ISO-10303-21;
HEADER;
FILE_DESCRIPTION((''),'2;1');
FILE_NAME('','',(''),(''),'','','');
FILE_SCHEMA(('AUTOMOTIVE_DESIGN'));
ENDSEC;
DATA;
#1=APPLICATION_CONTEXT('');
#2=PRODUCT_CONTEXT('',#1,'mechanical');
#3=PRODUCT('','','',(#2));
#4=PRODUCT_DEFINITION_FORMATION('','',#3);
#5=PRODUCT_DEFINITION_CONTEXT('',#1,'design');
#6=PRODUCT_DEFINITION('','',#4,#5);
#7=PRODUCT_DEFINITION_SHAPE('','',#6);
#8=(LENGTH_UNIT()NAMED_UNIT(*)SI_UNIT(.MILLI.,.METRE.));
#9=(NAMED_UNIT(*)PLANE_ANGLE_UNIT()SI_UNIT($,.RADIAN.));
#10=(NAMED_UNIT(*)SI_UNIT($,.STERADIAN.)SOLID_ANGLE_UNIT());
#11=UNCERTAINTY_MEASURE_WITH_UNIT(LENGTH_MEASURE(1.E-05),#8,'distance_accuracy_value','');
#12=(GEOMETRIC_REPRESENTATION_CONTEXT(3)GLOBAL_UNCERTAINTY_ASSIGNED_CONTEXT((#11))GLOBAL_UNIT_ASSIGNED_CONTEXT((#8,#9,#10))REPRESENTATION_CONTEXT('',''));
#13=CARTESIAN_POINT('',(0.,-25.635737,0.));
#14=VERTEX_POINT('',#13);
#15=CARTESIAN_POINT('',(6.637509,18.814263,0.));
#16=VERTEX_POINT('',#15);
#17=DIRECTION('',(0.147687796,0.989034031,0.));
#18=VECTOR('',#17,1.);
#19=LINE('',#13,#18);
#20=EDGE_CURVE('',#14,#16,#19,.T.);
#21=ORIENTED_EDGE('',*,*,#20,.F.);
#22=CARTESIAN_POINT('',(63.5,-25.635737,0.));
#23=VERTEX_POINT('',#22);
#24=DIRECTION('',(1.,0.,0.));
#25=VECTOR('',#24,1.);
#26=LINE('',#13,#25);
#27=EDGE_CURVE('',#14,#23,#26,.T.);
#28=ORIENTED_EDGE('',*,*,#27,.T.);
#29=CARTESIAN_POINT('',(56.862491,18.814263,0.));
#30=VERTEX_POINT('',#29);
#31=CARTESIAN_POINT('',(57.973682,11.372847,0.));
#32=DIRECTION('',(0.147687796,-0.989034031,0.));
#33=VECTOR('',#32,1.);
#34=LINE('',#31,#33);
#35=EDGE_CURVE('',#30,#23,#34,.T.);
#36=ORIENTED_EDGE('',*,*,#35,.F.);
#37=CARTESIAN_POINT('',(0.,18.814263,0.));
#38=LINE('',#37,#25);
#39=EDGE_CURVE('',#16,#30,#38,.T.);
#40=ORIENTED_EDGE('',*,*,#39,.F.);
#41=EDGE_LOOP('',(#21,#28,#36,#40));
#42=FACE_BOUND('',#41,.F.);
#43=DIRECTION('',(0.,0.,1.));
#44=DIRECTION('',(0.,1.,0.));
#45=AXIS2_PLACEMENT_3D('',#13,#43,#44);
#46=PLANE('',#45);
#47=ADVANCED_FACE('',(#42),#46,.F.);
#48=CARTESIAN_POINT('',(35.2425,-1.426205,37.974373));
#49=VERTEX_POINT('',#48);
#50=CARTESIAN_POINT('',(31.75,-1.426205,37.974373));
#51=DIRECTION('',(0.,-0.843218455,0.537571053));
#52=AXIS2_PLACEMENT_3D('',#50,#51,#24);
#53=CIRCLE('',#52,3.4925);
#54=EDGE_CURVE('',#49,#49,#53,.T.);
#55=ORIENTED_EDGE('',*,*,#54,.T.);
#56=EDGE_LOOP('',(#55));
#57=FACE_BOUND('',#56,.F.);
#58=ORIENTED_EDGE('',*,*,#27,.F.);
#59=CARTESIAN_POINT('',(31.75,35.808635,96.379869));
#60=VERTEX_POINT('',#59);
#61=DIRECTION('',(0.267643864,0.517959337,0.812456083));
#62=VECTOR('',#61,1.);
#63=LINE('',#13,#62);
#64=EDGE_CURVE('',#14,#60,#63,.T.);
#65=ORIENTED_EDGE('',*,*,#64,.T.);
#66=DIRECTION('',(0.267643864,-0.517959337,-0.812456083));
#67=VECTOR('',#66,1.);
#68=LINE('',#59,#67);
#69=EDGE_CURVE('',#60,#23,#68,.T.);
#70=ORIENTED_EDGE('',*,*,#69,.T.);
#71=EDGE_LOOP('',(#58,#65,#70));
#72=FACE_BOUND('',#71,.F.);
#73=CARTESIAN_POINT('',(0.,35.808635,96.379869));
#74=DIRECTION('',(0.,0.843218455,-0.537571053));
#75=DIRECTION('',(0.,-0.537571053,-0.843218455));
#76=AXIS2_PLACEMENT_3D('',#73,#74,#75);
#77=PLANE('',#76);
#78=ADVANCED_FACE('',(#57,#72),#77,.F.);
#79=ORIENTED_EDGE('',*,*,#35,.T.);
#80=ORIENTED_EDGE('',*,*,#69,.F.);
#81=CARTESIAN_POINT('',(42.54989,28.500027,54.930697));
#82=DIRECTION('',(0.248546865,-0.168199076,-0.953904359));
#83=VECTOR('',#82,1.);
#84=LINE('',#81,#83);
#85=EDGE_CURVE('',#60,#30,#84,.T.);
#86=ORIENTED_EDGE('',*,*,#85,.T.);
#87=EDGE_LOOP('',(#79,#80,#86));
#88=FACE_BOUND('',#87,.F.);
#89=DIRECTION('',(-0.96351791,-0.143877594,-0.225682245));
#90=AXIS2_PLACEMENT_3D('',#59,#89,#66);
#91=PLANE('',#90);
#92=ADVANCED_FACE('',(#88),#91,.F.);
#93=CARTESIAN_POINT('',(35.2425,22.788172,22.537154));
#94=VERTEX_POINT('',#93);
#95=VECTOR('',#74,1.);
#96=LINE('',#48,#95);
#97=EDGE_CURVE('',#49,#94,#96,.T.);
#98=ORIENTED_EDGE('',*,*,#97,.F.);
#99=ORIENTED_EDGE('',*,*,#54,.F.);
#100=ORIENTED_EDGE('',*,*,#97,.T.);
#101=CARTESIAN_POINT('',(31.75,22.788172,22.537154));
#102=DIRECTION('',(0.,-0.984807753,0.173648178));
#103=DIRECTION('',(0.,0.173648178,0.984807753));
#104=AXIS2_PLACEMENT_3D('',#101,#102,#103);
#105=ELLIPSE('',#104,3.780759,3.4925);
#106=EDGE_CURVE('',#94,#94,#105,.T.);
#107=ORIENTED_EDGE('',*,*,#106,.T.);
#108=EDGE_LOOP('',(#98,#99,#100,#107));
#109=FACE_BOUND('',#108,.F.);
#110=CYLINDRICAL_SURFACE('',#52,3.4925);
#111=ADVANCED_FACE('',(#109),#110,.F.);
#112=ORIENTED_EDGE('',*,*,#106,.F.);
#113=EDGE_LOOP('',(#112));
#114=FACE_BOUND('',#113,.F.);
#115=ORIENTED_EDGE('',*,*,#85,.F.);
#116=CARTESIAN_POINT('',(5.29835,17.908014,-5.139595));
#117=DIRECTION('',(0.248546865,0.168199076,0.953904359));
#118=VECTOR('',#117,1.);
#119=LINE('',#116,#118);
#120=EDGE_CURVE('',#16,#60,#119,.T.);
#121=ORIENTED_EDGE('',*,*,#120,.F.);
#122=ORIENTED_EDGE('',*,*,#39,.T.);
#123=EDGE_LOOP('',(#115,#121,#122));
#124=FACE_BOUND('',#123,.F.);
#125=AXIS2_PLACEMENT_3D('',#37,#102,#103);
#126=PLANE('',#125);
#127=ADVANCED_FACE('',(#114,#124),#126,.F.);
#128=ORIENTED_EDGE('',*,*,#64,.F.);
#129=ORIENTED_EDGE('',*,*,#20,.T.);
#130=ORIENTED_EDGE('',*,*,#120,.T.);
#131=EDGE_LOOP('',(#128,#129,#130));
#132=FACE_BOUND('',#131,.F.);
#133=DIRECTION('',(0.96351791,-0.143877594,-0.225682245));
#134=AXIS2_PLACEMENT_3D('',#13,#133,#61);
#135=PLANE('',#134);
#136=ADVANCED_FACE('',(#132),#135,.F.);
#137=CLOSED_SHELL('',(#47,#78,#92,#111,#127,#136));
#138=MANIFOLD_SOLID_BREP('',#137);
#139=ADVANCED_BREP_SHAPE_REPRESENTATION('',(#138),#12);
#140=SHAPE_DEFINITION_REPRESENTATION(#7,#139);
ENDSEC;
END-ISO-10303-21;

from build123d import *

# Parameters (mm, degrees)
F1_DEPTH = 63.5
F3_DEPTH = 51.8120278971
F4_R     = 3.4925
F5_DEPTH = 51.8120278971


with BuildPart() as f1:
    # F0 (on Right) → F1 (new body)
    with BuildSketch(Plane.YZ):
        Polygon((35.8086346566, 96.3798694051), (-25.6357367167, 0), (18.8142632833, 0), align=None)
    extrude(amount=F1_DEPTH)

    # F2 (on face) → F3 (cut, through all)
    with BuildSketch(Plane(origin=(0, -18.2274539145, 11.6204188118), x_dir=(1, 0, 0), z_dir=(0, -0.843218455, 0.5375710531))):
        Polygon((63.5, 100.5189700153), (31.75, 100.5189700153), (63.5, -13.7810299847), align=None)
        Polygon((0, 100.5189700153), (0, -13.7810299847), (31.75, 100.5189700153), align=None)
    extrude(amount=-F3_DEPTH, mode=Mode.SUBTRACT)

    # F4 (on face) → F5 (cut, through all)
    with BuildSketch(Plane(origin=(0, -18.2274539145, 11.6204188118), x_dir=(1, 0, 0), z_dir=(0, -0.843218455, 0.5375710531))):
        with Locations((31.75, 31.2540056114)):
            Circle(F4_R)
    extrude(amount=-F5_DEPTH, mode=Mode.SUBTRACT)


solid = f1.part
